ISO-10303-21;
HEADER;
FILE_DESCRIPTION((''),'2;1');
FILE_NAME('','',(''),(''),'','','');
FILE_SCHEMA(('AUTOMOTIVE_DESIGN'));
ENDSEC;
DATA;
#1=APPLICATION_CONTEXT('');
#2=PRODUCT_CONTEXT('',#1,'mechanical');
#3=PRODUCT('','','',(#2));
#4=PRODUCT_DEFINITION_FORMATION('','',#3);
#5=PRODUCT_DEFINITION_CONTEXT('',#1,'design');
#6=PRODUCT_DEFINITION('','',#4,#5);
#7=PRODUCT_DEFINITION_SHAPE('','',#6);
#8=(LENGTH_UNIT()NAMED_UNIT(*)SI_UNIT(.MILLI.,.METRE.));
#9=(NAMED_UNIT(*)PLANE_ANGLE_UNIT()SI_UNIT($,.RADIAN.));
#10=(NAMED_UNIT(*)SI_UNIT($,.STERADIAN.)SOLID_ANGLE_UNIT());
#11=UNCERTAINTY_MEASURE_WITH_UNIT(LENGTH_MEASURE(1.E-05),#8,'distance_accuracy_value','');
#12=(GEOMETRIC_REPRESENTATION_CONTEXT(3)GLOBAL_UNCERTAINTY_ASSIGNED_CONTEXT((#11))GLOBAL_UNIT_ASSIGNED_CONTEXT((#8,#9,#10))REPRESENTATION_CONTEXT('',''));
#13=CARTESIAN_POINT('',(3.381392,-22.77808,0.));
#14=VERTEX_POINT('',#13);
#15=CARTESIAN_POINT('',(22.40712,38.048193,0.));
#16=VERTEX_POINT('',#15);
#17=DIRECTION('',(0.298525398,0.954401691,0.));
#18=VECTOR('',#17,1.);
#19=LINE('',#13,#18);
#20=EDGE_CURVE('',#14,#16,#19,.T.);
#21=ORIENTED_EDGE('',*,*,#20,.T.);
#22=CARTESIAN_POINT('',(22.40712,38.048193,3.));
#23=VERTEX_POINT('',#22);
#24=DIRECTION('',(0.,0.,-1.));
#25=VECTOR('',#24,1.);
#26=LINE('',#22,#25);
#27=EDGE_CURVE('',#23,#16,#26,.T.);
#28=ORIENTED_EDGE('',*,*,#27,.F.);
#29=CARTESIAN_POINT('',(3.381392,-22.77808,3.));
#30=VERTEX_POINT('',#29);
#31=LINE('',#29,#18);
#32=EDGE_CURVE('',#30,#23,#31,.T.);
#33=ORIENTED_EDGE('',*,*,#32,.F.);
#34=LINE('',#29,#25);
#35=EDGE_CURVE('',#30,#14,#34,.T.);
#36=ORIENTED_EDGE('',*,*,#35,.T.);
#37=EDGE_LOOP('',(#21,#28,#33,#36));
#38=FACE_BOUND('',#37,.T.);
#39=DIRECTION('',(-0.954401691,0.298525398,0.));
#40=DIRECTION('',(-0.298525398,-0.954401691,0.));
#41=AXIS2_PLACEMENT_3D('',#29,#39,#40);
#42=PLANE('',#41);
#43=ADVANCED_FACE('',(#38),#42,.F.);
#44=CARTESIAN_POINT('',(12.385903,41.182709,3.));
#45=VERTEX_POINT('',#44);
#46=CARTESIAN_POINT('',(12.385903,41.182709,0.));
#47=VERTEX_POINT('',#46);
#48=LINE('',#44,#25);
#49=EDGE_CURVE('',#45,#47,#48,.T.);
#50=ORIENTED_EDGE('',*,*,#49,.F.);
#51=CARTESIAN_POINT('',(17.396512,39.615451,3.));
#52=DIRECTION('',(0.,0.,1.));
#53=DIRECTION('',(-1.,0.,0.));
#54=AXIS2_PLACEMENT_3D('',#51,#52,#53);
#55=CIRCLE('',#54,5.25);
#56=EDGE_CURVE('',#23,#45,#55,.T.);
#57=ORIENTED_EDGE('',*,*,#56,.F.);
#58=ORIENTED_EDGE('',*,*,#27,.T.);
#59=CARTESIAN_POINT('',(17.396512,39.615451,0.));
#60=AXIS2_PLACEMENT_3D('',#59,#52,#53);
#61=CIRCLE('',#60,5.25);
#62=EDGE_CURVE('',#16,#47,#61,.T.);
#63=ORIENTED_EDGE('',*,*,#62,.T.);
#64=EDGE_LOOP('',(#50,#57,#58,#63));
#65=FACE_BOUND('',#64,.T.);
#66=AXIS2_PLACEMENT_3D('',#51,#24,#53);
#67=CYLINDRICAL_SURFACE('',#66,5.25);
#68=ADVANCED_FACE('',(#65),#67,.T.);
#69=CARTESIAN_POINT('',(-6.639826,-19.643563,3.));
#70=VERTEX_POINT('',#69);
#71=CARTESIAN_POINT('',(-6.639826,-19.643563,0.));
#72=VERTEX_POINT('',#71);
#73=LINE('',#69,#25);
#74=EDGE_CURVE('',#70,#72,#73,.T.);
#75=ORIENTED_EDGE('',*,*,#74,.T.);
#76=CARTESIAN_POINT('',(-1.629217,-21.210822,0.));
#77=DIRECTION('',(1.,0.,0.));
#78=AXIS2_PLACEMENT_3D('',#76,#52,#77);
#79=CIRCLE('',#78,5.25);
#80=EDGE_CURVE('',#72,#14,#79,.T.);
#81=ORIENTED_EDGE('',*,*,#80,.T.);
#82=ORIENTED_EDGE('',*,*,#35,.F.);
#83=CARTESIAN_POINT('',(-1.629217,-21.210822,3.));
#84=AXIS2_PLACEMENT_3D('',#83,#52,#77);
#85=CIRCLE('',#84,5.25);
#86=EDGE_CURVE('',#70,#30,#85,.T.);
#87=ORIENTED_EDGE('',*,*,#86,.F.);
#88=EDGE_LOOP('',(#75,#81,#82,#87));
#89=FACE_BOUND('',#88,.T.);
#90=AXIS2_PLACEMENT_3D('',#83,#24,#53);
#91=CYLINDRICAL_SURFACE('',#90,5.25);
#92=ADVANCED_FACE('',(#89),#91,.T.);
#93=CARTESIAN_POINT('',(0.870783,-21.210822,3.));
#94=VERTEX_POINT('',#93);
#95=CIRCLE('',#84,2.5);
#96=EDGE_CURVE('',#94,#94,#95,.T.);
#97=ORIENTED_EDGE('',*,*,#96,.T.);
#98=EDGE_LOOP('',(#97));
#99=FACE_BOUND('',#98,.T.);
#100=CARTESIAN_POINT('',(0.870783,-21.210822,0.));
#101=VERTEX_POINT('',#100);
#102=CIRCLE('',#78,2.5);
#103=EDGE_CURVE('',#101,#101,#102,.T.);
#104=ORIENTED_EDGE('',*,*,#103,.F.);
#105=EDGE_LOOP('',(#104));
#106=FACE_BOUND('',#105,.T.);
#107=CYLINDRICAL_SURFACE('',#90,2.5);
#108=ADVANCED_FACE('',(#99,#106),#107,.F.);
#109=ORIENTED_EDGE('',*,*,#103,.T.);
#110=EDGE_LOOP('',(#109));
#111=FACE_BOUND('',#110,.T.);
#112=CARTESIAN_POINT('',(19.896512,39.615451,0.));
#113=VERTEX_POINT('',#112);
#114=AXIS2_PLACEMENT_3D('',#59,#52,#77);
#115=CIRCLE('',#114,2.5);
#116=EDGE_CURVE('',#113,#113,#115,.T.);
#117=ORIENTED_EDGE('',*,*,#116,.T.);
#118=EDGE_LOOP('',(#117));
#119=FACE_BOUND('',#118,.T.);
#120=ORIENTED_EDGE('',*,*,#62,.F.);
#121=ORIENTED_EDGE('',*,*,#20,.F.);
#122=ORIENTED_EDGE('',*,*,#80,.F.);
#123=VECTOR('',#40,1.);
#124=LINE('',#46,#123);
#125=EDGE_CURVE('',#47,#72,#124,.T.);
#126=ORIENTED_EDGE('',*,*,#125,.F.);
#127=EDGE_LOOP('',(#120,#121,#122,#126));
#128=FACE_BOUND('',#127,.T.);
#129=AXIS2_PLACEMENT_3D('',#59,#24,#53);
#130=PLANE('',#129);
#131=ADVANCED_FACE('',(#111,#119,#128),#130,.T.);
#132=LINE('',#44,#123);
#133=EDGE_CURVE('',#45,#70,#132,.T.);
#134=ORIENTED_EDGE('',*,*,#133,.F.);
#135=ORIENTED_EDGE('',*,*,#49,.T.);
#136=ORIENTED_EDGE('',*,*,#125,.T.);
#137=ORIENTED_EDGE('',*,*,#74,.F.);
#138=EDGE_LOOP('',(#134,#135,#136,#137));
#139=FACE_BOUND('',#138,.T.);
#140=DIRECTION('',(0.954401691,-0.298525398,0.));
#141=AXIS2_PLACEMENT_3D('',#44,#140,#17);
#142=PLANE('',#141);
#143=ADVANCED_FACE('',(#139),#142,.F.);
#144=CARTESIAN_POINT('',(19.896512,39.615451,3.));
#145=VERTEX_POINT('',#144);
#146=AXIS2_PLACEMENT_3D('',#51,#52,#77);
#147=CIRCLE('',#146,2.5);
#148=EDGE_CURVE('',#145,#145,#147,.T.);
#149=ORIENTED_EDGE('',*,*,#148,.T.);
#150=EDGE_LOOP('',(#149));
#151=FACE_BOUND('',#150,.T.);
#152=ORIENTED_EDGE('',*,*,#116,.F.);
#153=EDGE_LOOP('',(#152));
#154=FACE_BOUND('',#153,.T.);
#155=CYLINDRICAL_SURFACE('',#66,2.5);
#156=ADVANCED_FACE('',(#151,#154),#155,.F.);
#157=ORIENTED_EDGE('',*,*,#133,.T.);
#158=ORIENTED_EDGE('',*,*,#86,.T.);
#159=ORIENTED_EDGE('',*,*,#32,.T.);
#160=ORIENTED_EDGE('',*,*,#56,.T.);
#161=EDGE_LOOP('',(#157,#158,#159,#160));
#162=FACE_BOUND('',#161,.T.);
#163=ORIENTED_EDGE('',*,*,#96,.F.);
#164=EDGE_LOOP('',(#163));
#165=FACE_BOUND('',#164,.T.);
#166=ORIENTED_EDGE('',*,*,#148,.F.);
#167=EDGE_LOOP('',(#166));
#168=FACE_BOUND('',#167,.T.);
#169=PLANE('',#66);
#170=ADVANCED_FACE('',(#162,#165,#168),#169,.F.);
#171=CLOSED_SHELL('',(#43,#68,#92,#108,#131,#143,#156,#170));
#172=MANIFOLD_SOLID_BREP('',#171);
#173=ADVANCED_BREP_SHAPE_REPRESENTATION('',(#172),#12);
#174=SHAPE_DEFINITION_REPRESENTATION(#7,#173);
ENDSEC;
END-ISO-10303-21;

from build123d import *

# Parameters (mm, degrees)
SKETCH1_R           = 2.5
BOSS_EXTRUDE1_DEPTH = 3


with BuildPart() as part:
    # Sketch1 → Boss-Extrude1 (new body)
    with BuildSketch(Plane.XY):
        with BuildLine():
            Line((12.385902695, 41.182709486), (-6.639825617, -19.643563313))
            ThreePointArc((-6.639825617, -19.643563313), (-3.196475078, -26.221430526), (3.381392135, -22.778079987))
            Line((3.381392135, -22.778079987), (22.407120447, 38.048192812))
            ThreePointArc((22.407120447, 38.048192812), (18.963769908, 44.626060024), (12.385902695, 41.182709486))
        make_face()
        with Locations((17.396511571, 39.615451149)):
            Circle(SKETCH1_R, mode=Mode.SUBTRACT)
        with Locations((-1.629216741, -21.21082165)):
            Circle(SKETCH1_R, mode=Mode.SUBTRACT)
    extrude(amount=BOSS_EXTRUDE1_DEPTH)


solid = part.part
